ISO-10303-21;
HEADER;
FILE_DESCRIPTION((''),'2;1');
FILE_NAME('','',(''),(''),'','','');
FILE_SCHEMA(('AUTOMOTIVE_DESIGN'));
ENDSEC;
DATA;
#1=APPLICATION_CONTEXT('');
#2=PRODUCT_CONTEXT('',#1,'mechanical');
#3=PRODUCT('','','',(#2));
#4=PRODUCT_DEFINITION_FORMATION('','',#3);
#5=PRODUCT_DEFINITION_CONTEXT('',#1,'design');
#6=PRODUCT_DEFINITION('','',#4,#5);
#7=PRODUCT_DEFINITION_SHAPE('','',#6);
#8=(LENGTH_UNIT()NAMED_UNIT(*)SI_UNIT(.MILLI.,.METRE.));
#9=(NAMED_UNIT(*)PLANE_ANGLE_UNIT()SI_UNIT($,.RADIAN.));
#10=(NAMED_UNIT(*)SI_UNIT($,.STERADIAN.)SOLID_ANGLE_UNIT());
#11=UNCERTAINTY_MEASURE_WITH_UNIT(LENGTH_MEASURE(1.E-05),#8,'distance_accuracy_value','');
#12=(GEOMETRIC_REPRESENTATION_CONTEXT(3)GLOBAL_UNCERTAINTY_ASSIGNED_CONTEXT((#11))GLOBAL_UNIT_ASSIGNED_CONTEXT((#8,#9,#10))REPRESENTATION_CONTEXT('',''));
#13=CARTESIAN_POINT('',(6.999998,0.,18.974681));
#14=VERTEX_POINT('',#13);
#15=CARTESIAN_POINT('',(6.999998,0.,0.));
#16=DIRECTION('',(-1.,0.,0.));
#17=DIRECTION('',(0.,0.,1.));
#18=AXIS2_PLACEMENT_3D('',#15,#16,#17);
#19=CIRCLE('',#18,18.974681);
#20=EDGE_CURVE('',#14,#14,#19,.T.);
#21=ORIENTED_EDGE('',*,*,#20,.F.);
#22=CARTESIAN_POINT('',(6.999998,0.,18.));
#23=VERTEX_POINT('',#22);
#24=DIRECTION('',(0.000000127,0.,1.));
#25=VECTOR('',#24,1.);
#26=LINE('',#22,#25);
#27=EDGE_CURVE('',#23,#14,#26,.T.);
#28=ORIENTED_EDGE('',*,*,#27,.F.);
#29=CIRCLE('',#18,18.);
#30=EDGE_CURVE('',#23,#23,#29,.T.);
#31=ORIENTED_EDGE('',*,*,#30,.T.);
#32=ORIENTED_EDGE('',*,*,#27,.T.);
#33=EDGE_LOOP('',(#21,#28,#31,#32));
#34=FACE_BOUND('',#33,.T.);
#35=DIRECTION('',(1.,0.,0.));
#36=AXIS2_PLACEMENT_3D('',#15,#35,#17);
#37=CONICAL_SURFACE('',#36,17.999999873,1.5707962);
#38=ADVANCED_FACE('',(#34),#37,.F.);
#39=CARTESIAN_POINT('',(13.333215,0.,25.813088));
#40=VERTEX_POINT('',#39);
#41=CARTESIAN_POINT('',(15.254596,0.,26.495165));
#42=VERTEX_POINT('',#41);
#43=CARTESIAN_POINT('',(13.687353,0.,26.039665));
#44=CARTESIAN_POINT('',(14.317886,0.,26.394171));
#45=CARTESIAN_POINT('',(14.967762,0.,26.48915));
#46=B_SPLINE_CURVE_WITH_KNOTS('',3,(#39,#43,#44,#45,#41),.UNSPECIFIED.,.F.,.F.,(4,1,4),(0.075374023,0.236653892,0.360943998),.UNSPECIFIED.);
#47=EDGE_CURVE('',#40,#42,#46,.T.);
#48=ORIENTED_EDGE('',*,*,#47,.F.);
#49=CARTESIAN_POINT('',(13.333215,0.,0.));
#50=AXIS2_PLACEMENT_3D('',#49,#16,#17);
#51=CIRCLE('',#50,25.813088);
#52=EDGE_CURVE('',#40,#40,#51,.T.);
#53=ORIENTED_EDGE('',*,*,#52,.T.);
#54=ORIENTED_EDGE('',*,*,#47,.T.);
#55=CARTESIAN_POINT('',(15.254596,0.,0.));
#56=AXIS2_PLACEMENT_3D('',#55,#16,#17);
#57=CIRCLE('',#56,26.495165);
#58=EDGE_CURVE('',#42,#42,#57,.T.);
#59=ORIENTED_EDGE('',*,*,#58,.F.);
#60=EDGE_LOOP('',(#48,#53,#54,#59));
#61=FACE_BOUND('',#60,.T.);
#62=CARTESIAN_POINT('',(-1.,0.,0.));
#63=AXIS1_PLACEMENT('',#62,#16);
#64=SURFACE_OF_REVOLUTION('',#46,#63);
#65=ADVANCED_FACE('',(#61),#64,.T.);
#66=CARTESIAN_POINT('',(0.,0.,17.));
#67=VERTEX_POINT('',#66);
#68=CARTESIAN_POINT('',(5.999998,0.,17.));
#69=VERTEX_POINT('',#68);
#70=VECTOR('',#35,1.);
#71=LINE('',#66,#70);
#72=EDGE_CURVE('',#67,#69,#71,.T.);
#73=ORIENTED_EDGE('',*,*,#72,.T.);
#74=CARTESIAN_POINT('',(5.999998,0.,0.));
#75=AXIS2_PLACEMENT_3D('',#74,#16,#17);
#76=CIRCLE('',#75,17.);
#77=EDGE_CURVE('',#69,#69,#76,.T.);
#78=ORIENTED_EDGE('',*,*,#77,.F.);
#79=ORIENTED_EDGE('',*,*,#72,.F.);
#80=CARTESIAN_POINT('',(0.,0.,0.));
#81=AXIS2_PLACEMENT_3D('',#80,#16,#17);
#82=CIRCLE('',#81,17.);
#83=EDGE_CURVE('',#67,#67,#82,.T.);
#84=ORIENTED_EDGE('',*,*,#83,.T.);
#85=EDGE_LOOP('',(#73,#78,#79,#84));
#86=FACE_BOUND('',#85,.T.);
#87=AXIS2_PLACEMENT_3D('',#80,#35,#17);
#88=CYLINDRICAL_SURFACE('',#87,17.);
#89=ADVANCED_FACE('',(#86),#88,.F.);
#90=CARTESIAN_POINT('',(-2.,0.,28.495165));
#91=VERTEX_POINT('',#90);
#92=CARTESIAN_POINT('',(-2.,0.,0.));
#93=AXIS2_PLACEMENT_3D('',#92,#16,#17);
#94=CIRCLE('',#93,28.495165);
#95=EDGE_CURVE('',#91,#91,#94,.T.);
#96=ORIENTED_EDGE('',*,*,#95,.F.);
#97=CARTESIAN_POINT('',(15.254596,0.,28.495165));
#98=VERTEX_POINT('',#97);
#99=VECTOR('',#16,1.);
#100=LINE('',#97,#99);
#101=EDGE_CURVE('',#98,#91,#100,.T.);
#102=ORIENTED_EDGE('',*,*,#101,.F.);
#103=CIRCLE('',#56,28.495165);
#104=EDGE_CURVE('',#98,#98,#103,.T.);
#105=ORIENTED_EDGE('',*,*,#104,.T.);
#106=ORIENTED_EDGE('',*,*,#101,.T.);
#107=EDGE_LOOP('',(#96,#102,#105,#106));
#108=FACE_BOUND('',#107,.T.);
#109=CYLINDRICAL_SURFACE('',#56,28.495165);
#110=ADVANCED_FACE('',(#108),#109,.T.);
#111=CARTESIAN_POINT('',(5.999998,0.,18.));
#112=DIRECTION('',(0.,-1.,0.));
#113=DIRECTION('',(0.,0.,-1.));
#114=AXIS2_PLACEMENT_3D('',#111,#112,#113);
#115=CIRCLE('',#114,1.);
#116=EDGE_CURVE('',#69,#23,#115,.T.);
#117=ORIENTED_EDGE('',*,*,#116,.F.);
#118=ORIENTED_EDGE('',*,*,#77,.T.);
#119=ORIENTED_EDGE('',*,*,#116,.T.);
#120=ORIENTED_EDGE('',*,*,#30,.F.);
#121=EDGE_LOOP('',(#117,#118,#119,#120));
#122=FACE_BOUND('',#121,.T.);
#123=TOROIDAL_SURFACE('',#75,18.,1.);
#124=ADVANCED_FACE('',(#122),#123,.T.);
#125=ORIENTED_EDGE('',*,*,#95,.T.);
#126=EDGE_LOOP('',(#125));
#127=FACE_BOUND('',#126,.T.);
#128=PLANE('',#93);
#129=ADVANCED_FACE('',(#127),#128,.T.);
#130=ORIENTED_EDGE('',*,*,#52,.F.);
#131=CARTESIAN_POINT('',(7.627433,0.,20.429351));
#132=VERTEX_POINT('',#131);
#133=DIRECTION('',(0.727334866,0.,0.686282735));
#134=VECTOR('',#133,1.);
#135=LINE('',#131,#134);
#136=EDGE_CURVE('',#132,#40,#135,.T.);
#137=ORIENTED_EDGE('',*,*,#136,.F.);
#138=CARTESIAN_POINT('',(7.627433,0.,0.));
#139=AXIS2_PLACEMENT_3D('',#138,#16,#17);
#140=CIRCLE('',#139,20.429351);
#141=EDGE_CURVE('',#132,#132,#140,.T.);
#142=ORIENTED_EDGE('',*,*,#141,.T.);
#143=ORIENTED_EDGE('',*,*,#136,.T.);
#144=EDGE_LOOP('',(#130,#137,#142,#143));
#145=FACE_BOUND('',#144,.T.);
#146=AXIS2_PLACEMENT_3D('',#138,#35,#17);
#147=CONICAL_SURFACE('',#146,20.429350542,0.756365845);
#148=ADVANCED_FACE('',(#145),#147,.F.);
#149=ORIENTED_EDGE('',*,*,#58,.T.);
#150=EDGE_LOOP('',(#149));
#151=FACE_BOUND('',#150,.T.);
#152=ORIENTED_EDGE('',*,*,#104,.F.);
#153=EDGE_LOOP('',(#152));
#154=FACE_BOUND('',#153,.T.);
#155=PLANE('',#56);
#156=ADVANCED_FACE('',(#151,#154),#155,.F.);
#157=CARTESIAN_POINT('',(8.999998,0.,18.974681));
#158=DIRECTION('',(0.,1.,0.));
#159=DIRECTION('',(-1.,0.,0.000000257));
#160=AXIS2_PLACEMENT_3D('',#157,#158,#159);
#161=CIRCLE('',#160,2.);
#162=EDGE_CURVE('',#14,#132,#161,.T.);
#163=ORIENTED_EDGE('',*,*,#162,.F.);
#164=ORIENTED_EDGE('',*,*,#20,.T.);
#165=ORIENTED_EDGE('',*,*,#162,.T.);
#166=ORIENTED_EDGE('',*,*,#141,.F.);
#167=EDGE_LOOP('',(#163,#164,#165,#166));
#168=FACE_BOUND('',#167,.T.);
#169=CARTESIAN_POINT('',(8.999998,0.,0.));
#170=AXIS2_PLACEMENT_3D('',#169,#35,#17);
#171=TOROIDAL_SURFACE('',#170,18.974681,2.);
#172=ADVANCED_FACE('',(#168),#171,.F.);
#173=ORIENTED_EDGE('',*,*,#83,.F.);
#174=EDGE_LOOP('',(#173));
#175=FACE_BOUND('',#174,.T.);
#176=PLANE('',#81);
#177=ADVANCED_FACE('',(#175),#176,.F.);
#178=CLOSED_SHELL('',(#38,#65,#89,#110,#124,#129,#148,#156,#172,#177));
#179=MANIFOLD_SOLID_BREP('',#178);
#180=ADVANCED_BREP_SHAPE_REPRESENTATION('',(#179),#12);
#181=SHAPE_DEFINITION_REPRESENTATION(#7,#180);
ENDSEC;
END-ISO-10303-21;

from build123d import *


with BuildPart() as f1:
    # F0 (on Front) → F1 (revolve)
    with BuildSketch(Plane.XZ):
        with BuildLine():
            Line((7.6274327665, 20.4293505417), (13.3332152067, 25.8130880211))
            add(Edge.make_bspline(
                [(13.3332152067, 25.8130880211), (13.6873531533, 26.0396653478), (14.3178862388, 26.3941712558), (14.9677615599, 26.4891502818), (15.2545960447, 26.4951649422)],
                knots=[0.0753740232, 0.0753740232, 0.0753740232, 0.0753740232, 0.236653892, 0.3609439983, 0.3609439983, 0.3609439983, 0.3609439983], degree=3))
            Line((15.2545960447, 26.4951649422), (15.2545960447, 28.4951649422))
            Line((15.2545960447, 28.4951649422), (-2, 28.4951649422))
            Line((-2, 28.4951649422), (-2, 0))
            Line((-2, 0), (0, 0))
            Line((0, 0), (0, 17))
            Line((0, 17), (5.9999981131, 17))
            ThreePointArc((5.9999981131, 17), (6.7071048494, 17.292893174), (6.9999981131, 17.9999998731))
            Line((6.9999981131, 17.9999998731), (6.9999982367, 18.9746813235))
            ThreePointArc((6.9999982367, 18.9746813235), (7.1635437461, 19.7667886958), (7.6274327665, 20.4293505417))
        make_face()
    revolve(axis=Axis((-1, 0, 0), (-1, 0, 0)))


solid = f1.part
